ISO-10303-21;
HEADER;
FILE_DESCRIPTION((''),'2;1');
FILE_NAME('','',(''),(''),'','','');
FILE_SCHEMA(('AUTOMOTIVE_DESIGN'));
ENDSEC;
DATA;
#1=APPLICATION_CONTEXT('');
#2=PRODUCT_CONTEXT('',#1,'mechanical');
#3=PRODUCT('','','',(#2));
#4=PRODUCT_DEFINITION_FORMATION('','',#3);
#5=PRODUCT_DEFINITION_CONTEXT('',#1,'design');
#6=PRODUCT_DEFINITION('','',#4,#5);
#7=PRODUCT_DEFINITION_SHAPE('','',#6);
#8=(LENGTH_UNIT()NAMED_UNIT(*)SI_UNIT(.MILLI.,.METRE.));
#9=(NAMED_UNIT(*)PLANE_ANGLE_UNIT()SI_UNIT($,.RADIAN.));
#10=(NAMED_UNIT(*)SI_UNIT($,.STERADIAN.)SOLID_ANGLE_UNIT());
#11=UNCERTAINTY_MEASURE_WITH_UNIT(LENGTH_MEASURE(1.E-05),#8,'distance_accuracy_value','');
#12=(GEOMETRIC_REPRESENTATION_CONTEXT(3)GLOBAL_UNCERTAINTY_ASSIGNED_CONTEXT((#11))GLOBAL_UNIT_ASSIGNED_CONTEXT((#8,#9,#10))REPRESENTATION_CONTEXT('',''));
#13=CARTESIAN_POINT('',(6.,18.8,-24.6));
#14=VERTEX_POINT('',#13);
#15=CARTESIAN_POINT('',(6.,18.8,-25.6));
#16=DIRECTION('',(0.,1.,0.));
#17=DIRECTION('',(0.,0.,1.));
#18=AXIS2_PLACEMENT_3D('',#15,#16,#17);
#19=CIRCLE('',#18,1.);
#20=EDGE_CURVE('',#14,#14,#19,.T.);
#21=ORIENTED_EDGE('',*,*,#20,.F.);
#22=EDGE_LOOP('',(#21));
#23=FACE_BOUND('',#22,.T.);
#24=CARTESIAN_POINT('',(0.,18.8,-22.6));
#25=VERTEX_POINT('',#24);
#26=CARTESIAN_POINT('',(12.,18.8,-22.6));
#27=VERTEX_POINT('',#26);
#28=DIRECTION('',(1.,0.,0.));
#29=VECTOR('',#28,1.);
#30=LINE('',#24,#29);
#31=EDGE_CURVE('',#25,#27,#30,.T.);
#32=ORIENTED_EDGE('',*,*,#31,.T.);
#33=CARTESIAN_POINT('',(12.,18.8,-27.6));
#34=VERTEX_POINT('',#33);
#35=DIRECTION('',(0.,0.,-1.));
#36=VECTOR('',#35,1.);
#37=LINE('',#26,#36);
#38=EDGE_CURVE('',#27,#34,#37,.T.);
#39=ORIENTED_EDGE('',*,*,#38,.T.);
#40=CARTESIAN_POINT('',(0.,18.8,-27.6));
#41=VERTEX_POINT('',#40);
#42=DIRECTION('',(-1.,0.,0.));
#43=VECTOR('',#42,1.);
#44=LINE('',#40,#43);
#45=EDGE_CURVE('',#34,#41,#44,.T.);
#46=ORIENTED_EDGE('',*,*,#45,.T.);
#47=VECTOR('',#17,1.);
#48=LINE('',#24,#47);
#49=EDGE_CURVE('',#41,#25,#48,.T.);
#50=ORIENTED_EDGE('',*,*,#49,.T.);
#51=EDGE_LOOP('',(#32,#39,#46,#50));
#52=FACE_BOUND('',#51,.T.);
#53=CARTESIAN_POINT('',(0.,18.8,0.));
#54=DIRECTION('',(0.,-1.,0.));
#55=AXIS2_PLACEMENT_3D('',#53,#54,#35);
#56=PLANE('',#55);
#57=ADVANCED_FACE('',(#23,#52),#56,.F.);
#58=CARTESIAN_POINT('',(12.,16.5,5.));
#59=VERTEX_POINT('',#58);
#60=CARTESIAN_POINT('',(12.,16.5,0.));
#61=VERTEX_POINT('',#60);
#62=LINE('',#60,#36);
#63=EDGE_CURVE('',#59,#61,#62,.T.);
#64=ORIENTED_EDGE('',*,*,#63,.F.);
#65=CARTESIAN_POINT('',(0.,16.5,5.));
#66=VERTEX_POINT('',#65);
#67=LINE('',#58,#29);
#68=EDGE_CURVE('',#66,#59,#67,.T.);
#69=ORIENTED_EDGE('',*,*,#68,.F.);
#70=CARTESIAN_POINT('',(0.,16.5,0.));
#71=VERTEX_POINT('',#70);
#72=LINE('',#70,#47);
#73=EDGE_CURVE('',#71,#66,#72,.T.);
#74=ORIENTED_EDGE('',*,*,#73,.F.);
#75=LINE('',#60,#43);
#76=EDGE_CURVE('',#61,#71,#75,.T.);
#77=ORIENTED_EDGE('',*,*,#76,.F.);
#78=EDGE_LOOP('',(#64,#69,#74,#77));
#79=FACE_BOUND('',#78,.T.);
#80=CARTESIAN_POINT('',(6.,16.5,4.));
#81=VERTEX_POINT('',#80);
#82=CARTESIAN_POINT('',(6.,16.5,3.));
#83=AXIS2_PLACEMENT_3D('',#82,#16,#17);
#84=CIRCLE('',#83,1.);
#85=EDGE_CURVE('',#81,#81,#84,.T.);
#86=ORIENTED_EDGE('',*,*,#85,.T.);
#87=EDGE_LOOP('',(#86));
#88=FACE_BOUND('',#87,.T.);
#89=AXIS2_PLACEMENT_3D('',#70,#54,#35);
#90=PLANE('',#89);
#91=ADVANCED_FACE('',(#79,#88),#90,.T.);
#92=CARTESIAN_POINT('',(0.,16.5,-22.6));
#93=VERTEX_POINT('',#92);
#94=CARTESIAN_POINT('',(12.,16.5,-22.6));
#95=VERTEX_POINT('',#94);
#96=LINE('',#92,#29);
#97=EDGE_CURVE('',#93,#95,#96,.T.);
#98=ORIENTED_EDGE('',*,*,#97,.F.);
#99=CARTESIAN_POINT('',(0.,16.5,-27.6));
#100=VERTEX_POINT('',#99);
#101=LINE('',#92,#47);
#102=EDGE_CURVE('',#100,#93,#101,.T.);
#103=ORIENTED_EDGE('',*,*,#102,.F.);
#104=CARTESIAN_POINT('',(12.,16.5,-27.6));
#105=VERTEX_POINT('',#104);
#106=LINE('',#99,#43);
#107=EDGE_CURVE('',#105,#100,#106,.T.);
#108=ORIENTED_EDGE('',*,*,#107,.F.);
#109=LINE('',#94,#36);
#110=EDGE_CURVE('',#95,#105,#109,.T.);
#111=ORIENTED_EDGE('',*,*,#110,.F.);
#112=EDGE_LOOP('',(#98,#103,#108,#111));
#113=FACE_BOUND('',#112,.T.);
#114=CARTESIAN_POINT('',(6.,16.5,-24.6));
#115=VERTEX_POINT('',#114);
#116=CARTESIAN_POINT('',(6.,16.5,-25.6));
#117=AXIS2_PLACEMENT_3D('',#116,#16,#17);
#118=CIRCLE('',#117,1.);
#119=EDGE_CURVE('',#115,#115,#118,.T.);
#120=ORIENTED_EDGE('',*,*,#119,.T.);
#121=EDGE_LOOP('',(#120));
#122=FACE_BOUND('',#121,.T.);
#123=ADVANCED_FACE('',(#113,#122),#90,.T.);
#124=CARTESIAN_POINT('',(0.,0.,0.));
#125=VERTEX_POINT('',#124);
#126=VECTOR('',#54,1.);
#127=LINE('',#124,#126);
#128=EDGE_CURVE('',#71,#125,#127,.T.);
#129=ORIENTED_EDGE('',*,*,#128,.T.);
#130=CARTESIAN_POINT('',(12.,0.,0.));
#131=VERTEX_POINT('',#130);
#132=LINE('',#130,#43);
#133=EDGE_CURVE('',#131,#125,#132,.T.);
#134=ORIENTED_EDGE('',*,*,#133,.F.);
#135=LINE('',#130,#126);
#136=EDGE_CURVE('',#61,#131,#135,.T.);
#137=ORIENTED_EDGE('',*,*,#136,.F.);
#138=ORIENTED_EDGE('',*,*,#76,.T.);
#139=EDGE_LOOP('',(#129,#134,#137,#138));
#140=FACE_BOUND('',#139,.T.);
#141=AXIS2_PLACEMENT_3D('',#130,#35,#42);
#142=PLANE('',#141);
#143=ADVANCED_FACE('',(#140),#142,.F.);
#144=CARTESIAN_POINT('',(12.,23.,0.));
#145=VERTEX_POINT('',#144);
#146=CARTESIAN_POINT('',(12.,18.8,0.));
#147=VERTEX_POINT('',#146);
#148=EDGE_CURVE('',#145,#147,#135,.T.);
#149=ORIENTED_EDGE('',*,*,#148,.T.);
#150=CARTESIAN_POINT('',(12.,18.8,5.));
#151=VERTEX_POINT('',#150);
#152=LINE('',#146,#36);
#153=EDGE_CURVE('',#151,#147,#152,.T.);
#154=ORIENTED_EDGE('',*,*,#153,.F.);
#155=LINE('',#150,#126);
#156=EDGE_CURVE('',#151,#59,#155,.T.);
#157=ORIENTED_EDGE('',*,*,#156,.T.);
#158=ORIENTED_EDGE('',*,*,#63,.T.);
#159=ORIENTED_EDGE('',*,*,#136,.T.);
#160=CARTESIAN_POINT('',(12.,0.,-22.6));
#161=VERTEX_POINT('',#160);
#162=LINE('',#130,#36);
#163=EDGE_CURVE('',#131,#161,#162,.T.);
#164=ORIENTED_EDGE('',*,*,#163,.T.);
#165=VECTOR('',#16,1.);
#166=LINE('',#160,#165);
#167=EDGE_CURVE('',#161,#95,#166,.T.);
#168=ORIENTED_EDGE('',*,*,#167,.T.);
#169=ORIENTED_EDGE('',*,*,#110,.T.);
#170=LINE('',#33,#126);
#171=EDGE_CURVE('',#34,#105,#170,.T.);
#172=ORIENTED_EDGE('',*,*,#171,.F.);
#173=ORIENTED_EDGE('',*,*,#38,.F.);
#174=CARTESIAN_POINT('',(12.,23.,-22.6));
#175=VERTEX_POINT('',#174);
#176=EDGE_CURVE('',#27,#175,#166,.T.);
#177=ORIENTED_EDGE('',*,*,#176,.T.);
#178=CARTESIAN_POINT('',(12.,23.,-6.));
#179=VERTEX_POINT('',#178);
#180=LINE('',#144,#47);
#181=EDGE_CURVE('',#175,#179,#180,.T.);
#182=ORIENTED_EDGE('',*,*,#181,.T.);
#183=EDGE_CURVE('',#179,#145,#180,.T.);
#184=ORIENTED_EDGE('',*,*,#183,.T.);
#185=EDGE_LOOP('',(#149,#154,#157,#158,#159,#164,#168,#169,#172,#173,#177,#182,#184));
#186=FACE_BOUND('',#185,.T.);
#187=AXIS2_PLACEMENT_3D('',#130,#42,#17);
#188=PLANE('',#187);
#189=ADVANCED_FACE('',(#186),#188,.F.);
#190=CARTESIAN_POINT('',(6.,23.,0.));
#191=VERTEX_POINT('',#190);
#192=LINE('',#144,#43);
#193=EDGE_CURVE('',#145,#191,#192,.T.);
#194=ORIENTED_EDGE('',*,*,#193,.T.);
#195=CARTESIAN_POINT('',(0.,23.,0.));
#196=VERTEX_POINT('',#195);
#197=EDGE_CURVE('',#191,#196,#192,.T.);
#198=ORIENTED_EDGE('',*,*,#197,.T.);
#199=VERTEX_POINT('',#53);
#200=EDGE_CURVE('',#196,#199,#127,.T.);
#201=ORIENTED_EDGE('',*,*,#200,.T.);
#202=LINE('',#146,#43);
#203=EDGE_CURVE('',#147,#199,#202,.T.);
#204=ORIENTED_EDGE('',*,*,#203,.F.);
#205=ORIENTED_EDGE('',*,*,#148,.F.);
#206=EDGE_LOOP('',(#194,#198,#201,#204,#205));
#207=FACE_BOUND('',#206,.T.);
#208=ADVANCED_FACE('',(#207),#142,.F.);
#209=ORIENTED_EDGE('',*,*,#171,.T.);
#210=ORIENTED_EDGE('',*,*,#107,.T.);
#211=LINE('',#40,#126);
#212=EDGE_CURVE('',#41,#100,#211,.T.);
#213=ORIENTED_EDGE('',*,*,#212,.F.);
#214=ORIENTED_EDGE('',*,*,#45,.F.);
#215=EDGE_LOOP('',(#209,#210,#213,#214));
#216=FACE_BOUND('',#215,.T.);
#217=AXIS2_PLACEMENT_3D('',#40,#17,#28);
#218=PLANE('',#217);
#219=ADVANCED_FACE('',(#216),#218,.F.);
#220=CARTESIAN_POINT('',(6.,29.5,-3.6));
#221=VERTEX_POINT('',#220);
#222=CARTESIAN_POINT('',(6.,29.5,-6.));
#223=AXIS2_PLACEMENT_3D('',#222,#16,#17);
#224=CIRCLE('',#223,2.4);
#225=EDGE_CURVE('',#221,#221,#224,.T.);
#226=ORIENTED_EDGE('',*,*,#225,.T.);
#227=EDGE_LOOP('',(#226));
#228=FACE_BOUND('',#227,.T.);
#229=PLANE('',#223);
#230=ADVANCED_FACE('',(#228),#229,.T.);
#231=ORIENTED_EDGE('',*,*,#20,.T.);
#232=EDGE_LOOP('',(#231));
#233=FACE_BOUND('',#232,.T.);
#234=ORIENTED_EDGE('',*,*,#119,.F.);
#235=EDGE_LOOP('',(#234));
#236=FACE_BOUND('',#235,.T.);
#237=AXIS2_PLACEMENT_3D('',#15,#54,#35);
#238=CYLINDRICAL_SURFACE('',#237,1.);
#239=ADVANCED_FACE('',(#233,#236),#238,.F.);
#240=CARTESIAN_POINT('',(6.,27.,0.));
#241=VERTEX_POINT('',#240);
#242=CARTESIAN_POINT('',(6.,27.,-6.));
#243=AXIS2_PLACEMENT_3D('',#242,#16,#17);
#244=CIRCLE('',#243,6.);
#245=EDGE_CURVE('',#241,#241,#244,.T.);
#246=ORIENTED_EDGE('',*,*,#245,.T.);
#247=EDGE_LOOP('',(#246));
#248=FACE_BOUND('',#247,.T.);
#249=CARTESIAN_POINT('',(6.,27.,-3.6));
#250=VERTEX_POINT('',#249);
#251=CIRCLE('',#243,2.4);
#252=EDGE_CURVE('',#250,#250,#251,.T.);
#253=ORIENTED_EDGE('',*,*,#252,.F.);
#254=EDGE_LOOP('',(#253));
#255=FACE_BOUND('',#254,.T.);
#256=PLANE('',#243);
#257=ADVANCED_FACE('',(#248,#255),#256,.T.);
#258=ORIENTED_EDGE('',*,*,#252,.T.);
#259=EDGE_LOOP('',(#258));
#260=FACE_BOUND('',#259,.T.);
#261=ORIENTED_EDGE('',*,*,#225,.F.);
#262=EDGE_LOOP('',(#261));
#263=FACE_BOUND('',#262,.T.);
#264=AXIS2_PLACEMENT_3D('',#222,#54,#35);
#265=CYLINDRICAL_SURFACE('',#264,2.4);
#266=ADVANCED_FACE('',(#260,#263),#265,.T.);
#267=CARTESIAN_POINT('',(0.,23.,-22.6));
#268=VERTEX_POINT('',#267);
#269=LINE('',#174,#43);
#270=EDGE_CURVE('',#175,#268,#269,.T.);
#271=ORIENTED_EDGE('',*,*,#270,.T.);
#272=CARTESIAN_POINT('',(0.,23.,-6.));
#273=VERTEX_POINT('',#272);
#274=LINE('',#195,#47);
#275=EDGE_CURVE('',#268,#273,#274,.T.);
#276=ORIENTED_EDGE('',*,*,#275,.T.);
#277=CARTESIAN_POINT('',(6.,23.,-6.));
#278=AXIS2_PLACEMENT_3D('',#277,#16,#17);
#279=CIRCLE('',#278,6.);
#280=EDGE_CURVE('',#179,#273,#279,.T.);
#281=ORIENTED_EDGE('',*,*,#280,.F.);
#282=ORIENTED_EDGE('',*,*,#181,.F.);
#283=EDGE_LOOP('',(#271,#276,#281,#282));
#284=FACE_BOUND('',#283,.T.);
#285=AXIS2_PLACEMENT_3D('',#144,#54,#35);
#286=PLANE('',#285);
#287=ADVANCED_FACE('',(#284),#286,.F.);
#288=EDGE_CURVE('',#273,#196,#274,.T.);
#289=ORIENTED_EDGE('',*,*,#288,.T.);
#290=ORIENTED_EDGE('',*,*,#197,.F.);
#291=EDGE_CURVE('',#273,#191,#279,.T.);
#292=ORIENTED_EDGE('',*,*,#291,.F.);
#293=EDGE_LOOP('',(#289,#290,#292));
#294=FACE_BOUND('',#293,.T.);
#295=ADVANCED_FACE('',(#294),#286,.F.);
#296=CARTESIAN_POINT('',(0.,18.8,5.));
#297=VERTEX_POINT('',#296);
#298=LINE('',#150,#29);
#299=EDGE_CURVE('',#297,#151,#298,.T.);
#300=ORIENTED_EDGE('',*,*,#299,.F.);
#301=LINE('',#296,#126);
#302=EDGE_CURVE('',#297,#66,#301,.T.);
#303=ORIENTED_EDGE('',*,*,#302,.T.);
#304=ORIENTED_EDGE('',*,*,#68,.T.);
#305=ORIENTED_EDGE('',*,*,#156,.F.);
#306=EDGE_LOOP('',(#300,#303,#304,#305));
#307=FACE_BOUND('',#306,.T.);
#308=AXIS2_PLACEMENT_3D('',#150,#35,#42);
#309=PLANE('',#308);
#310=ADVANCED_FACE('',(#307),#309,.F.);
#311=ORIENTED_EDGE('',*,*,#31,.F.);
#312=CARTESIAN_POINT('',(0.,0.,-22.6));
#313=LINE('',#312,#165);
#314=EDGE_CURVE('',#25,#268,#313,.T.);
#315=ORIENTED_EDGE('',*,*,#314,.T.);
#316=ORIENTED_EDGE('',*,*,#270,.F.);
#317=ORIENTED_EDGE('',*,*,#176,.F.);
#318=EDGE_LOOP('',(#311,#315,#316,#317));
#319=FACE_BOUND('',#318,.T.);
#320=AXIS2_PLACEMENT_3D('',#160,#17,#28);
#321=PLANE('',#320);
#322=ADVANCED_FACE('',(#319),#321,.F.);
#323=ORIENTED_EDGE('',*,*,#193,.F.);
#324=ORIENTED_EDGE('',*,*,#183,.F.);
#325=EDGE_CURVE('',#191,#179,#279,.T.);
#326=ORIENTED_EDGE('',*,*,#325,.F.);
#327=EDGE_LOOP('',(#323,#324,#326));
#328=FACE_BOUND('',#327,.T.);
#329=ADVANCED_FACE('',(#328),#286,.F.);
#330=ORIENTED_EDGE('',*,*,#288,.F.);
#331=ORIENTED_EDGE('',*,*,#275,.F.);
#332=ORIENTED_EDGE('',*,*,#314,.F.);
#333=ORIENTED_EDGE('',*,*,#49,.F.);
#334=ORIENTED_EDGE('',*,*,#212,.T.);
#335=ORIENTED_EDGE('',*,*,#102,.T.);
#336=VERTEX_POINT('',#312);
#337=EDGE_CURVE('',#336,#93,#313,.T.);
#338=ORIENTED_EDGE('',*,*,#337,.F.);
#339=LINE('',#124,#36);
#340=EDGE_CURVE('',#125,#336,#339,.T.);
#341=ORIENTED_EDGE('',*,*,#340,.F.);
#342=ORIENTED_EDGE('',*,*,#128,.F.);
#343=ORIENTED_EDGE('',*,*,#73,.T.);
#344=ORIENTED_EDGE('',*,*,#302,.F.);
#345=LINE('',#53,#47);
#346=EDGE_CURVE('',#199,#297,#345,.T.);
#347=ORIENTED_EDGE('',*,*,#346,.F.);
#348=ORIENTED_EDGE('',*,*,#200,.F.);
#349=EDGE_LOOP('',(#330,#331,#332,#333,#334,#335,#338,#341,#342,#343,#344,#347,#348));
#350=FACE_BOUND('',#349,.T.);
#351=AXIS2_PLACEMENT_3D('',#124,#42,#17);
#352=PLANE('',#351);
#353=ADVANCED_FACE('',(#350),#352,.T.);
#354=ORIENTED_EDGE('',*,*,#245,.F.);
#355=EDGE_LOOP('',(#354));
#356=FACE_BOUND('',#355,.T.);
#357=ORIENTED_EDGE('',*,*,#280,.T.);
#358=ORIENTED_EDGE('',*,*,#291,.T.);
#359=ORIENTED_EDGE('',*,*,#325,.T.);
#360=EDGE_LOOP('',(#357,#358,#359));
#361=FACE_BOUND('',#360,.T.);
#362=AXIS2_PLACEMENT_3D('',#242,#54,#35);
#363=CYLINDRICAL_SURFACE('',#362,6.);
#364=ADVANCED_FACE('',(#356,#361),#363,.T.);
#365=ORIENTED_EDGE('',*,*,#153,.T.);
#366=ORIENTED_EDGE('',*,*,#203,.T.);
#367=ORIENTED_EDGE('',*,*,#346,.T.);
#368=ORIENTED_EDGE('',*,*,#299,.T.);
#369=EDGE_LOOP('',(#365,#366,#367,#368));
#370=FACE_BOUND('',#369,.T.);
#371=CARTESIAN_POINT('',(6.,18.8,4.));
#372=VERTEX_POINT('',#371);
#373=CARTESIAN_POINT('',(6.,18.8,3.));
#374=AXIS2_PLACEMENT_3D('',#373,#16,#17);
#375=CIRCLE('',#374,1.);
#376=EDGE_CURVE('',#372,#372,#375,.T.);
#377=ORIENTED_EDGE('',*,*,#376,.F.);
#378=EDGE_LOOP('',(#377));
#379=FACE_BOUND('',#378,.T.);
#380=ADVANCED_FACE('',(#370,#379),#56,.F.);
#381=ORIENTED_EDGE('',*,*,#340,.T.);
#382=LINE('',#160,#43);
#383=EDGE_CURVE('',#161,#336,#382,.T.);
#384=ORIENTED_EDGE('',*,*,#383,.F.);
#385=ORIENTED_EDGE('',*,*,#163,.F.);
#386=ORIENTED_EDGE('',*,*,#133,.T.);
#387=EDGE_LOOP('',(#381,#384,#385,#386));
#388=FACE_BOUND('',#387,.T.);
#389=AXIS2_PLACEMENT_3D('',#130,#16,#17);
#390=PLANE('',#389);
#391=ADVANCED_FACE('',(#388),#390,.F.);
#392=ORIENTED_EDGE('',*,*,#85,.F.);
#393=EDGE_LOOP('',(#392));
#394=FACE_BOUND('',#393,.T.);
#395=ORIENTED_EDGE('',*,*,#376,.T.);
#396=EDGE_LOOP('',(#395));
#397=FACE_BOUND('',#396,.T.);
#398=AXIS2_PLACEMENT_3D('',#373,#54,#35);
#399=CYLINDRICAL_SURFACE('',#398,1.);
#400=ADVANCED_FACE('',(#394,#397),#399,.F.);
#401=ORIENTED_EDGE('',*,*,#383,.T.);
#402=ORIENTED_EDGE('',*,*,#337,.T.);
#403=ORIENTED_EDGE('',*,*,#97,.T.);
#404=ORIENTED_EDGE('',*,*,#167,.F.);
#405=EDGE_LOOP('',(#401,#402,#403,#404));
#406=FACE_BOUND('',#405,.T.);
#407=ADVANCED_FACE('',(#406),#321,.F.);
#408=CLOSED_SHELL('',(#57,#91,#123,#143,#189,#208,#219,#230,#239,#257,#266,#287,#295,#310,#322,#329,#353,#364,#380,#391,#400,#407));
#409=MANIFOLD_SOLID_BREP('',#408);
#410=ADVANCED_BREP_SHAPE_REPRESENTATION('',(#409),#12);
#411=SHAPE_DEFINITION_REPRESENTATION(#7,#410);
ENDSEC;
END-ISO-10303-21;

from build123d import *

# Parameters (mm, degrees)
SKETCH1_W           = 22.6
SKETCH1_H           = 23
BOSS_EXTRUDE1_DEPTH = 12
SKETCH2_R           = 6
BOSS_EXTRUDE2_DEPTH = 4
SKETCH3_R           = 2.4
BOSS_EXTRUDE3_DEPTH = 2.5
SKETCH4_W           = 12
SKETCH4_H           = 5
SKETCH4_R           = 1
BOSS_EXTRUDE4_DEPTH = 2.3


with BuildPart() as part:
    # Sketch1 → Boss-Extrude1 (new body)
    with BuildSketch(Plane(origin=(0, 0, 0), x_dir=(0, 0, -1), z_dir=(1, 0, 0))):
        with Locations((11.3, 11.5)):
            Rectangle(SKETCH1_W, SKETCH1_H)
    extrude(amount=BOSS_EXTRUDE1_DEPTH)

    # Sketch2 → Boss-Extrude2 (add)
    with BuildSketch(Plane(origin=(0, 23, 0), x_dir=(1, 0, 0), z_dir=(0, 1, 0))):
        with Locations(Location((6, 6, 0), (0, 0, 270))):
            Circle(SKETCH2_R)
    extrude(amount=BOSS_EXTRUDE2_DEPTH)

    # Sketch3 → Boss-Extrude3 (add)
    with BuildSketch(Plane(origin=(0, 27, 0), x_dir=(1, 0, 0), z_dir=(0, 1, 0))):
        with Locations(Location((6, 6, 0), (0, 0, 270))):
            Circle(SKETCH3_R)
    extrude(amount=BOSS_EXTRUDE3_DEPTH)

    # Sketch4 → Boss-Extrude4 (add)
    # profile 1 of 2: a face of its own
    with BuildSketch(Plane(origin=(0, 16.5, 0), x_dir=(1, 0, 0), z_dir=(0, 1, 0))):
        with Locations((6, -2.5)):
            Rectangle(SKETCH4_W, SKETCH4_H)
        with Locations(Location((6, -3, 0), (0, 0, 270))):
            Circle(SKETCH4_R, mode=Mode.SUBTRACT)
    # profile 2 of 2: a face of its own
    with BuildSketch(Plane(origin=(0, 16.5, 0), x_dir=(1, 0, 0), z_dir=(0, 1, 0))):
        with Locations((6, 25.1)):
            Rectangle(SKETCH4_W, SKETCH4_H)
        with Locations(Location((6, 25.6, 0), (0, 0, 270))):
            Circle(SKETCH4_R, mode=Mode.SUBTRACT)
    extrude(amount=BOSS_EXTRUDE4_DEPTH)


solid = part.part
